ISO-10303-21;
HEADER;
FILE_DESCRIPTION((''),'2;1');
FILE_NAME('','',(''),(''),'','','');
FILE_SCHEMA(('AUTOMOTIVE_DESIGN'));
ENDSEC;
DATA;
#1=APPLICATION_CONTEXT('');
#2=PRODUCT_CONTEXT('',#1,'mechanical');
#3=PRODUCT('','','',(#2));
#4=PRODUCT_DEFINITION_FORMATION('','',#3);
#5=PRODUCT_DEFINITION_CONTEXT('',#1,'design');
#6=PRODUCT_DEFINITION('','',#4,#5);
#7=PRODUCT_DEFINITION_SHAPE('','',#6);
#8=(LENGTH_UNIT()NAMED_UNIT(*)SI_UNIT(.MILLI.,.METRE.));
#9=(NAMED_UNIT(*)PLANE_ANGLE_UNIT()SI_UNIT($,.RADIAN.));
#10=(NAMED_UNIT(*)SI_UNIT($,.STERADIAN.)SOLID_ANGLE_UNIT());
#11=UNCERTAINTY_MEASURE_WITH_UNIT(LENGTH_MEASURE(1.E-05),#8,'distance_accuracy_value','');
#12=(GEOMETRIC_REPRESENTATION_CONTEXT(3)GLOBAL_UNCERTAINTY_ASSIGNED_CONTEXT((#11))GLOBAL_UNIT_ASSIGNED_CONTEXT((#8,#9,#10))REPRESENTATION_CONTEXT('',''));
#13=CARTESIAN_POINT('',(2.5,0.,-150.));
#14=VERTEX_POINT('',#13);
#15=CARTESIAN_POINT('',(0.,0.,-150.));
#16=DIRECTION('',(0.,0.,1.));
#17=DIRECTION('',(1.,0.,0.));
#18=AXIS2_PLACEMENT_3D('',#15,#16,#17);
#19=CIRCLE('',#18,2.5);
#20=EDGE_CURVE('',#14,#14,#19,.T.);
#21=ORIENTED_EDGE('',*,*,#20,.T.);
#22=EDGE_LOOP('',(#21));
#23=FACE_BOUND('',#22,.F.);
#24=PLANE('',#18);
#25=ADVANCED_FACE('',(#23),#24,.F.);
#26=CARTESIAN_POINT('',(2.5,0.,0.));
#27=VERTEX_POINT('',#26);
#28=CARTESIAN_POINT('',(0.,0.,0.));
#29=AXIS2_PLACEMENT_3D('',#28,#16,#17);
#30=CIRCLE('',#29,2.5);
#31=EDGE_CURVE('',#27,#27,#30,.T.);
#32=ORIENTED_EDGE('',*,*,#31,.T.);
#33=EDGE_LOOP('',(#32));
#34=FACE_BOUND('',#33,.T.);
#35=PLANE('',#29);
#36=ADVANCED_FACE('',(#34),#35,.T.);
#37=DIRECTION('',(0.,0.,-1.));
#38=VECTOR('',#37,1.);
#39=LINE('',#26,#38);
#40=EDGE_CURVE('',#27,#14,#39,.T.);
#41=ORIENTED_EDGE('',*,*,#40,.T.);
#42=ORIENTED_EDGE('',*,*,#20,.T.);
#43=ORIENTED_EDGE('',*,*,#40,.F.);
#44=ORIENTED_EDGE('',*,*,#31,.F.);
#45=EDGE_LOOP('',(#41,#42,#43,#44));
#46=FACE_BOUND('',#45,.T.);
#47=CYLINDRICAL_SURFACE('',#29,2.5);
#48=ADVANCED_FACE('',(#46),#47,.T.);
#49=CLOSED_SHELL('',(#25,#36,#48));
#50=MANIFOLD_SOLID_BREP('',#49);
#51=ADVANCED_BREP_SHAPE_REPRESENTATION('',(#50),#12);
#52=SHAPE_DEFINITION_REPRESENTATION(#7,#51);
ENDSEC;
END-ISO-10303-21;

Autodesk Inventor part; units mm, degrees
ref_plane "YZ Plane" through (0, 0, 0) normal (1, 0, 0) x (0, 1, 0)
ref_plane "XZ Plane" through (0, 0, 0) normal (0, 1, 0) x (-1, 0, 0)
ref_plane "XY Plane" through (0, 0, 0) normal (0, 0, 1) x (1, 0, 0)
sketch "スケッチ1" plane through (0, 0, 0) normal (0, 0, 1) x (1, 0, 0)
  circle A0 centre (0, 0) radius 2.5
  dimension "d0" = 5
extrude "押し出し1" add sketch "スケッチ1" against normal blind 150
properties part number "円柱5mm" material "ステンレス鋼"
